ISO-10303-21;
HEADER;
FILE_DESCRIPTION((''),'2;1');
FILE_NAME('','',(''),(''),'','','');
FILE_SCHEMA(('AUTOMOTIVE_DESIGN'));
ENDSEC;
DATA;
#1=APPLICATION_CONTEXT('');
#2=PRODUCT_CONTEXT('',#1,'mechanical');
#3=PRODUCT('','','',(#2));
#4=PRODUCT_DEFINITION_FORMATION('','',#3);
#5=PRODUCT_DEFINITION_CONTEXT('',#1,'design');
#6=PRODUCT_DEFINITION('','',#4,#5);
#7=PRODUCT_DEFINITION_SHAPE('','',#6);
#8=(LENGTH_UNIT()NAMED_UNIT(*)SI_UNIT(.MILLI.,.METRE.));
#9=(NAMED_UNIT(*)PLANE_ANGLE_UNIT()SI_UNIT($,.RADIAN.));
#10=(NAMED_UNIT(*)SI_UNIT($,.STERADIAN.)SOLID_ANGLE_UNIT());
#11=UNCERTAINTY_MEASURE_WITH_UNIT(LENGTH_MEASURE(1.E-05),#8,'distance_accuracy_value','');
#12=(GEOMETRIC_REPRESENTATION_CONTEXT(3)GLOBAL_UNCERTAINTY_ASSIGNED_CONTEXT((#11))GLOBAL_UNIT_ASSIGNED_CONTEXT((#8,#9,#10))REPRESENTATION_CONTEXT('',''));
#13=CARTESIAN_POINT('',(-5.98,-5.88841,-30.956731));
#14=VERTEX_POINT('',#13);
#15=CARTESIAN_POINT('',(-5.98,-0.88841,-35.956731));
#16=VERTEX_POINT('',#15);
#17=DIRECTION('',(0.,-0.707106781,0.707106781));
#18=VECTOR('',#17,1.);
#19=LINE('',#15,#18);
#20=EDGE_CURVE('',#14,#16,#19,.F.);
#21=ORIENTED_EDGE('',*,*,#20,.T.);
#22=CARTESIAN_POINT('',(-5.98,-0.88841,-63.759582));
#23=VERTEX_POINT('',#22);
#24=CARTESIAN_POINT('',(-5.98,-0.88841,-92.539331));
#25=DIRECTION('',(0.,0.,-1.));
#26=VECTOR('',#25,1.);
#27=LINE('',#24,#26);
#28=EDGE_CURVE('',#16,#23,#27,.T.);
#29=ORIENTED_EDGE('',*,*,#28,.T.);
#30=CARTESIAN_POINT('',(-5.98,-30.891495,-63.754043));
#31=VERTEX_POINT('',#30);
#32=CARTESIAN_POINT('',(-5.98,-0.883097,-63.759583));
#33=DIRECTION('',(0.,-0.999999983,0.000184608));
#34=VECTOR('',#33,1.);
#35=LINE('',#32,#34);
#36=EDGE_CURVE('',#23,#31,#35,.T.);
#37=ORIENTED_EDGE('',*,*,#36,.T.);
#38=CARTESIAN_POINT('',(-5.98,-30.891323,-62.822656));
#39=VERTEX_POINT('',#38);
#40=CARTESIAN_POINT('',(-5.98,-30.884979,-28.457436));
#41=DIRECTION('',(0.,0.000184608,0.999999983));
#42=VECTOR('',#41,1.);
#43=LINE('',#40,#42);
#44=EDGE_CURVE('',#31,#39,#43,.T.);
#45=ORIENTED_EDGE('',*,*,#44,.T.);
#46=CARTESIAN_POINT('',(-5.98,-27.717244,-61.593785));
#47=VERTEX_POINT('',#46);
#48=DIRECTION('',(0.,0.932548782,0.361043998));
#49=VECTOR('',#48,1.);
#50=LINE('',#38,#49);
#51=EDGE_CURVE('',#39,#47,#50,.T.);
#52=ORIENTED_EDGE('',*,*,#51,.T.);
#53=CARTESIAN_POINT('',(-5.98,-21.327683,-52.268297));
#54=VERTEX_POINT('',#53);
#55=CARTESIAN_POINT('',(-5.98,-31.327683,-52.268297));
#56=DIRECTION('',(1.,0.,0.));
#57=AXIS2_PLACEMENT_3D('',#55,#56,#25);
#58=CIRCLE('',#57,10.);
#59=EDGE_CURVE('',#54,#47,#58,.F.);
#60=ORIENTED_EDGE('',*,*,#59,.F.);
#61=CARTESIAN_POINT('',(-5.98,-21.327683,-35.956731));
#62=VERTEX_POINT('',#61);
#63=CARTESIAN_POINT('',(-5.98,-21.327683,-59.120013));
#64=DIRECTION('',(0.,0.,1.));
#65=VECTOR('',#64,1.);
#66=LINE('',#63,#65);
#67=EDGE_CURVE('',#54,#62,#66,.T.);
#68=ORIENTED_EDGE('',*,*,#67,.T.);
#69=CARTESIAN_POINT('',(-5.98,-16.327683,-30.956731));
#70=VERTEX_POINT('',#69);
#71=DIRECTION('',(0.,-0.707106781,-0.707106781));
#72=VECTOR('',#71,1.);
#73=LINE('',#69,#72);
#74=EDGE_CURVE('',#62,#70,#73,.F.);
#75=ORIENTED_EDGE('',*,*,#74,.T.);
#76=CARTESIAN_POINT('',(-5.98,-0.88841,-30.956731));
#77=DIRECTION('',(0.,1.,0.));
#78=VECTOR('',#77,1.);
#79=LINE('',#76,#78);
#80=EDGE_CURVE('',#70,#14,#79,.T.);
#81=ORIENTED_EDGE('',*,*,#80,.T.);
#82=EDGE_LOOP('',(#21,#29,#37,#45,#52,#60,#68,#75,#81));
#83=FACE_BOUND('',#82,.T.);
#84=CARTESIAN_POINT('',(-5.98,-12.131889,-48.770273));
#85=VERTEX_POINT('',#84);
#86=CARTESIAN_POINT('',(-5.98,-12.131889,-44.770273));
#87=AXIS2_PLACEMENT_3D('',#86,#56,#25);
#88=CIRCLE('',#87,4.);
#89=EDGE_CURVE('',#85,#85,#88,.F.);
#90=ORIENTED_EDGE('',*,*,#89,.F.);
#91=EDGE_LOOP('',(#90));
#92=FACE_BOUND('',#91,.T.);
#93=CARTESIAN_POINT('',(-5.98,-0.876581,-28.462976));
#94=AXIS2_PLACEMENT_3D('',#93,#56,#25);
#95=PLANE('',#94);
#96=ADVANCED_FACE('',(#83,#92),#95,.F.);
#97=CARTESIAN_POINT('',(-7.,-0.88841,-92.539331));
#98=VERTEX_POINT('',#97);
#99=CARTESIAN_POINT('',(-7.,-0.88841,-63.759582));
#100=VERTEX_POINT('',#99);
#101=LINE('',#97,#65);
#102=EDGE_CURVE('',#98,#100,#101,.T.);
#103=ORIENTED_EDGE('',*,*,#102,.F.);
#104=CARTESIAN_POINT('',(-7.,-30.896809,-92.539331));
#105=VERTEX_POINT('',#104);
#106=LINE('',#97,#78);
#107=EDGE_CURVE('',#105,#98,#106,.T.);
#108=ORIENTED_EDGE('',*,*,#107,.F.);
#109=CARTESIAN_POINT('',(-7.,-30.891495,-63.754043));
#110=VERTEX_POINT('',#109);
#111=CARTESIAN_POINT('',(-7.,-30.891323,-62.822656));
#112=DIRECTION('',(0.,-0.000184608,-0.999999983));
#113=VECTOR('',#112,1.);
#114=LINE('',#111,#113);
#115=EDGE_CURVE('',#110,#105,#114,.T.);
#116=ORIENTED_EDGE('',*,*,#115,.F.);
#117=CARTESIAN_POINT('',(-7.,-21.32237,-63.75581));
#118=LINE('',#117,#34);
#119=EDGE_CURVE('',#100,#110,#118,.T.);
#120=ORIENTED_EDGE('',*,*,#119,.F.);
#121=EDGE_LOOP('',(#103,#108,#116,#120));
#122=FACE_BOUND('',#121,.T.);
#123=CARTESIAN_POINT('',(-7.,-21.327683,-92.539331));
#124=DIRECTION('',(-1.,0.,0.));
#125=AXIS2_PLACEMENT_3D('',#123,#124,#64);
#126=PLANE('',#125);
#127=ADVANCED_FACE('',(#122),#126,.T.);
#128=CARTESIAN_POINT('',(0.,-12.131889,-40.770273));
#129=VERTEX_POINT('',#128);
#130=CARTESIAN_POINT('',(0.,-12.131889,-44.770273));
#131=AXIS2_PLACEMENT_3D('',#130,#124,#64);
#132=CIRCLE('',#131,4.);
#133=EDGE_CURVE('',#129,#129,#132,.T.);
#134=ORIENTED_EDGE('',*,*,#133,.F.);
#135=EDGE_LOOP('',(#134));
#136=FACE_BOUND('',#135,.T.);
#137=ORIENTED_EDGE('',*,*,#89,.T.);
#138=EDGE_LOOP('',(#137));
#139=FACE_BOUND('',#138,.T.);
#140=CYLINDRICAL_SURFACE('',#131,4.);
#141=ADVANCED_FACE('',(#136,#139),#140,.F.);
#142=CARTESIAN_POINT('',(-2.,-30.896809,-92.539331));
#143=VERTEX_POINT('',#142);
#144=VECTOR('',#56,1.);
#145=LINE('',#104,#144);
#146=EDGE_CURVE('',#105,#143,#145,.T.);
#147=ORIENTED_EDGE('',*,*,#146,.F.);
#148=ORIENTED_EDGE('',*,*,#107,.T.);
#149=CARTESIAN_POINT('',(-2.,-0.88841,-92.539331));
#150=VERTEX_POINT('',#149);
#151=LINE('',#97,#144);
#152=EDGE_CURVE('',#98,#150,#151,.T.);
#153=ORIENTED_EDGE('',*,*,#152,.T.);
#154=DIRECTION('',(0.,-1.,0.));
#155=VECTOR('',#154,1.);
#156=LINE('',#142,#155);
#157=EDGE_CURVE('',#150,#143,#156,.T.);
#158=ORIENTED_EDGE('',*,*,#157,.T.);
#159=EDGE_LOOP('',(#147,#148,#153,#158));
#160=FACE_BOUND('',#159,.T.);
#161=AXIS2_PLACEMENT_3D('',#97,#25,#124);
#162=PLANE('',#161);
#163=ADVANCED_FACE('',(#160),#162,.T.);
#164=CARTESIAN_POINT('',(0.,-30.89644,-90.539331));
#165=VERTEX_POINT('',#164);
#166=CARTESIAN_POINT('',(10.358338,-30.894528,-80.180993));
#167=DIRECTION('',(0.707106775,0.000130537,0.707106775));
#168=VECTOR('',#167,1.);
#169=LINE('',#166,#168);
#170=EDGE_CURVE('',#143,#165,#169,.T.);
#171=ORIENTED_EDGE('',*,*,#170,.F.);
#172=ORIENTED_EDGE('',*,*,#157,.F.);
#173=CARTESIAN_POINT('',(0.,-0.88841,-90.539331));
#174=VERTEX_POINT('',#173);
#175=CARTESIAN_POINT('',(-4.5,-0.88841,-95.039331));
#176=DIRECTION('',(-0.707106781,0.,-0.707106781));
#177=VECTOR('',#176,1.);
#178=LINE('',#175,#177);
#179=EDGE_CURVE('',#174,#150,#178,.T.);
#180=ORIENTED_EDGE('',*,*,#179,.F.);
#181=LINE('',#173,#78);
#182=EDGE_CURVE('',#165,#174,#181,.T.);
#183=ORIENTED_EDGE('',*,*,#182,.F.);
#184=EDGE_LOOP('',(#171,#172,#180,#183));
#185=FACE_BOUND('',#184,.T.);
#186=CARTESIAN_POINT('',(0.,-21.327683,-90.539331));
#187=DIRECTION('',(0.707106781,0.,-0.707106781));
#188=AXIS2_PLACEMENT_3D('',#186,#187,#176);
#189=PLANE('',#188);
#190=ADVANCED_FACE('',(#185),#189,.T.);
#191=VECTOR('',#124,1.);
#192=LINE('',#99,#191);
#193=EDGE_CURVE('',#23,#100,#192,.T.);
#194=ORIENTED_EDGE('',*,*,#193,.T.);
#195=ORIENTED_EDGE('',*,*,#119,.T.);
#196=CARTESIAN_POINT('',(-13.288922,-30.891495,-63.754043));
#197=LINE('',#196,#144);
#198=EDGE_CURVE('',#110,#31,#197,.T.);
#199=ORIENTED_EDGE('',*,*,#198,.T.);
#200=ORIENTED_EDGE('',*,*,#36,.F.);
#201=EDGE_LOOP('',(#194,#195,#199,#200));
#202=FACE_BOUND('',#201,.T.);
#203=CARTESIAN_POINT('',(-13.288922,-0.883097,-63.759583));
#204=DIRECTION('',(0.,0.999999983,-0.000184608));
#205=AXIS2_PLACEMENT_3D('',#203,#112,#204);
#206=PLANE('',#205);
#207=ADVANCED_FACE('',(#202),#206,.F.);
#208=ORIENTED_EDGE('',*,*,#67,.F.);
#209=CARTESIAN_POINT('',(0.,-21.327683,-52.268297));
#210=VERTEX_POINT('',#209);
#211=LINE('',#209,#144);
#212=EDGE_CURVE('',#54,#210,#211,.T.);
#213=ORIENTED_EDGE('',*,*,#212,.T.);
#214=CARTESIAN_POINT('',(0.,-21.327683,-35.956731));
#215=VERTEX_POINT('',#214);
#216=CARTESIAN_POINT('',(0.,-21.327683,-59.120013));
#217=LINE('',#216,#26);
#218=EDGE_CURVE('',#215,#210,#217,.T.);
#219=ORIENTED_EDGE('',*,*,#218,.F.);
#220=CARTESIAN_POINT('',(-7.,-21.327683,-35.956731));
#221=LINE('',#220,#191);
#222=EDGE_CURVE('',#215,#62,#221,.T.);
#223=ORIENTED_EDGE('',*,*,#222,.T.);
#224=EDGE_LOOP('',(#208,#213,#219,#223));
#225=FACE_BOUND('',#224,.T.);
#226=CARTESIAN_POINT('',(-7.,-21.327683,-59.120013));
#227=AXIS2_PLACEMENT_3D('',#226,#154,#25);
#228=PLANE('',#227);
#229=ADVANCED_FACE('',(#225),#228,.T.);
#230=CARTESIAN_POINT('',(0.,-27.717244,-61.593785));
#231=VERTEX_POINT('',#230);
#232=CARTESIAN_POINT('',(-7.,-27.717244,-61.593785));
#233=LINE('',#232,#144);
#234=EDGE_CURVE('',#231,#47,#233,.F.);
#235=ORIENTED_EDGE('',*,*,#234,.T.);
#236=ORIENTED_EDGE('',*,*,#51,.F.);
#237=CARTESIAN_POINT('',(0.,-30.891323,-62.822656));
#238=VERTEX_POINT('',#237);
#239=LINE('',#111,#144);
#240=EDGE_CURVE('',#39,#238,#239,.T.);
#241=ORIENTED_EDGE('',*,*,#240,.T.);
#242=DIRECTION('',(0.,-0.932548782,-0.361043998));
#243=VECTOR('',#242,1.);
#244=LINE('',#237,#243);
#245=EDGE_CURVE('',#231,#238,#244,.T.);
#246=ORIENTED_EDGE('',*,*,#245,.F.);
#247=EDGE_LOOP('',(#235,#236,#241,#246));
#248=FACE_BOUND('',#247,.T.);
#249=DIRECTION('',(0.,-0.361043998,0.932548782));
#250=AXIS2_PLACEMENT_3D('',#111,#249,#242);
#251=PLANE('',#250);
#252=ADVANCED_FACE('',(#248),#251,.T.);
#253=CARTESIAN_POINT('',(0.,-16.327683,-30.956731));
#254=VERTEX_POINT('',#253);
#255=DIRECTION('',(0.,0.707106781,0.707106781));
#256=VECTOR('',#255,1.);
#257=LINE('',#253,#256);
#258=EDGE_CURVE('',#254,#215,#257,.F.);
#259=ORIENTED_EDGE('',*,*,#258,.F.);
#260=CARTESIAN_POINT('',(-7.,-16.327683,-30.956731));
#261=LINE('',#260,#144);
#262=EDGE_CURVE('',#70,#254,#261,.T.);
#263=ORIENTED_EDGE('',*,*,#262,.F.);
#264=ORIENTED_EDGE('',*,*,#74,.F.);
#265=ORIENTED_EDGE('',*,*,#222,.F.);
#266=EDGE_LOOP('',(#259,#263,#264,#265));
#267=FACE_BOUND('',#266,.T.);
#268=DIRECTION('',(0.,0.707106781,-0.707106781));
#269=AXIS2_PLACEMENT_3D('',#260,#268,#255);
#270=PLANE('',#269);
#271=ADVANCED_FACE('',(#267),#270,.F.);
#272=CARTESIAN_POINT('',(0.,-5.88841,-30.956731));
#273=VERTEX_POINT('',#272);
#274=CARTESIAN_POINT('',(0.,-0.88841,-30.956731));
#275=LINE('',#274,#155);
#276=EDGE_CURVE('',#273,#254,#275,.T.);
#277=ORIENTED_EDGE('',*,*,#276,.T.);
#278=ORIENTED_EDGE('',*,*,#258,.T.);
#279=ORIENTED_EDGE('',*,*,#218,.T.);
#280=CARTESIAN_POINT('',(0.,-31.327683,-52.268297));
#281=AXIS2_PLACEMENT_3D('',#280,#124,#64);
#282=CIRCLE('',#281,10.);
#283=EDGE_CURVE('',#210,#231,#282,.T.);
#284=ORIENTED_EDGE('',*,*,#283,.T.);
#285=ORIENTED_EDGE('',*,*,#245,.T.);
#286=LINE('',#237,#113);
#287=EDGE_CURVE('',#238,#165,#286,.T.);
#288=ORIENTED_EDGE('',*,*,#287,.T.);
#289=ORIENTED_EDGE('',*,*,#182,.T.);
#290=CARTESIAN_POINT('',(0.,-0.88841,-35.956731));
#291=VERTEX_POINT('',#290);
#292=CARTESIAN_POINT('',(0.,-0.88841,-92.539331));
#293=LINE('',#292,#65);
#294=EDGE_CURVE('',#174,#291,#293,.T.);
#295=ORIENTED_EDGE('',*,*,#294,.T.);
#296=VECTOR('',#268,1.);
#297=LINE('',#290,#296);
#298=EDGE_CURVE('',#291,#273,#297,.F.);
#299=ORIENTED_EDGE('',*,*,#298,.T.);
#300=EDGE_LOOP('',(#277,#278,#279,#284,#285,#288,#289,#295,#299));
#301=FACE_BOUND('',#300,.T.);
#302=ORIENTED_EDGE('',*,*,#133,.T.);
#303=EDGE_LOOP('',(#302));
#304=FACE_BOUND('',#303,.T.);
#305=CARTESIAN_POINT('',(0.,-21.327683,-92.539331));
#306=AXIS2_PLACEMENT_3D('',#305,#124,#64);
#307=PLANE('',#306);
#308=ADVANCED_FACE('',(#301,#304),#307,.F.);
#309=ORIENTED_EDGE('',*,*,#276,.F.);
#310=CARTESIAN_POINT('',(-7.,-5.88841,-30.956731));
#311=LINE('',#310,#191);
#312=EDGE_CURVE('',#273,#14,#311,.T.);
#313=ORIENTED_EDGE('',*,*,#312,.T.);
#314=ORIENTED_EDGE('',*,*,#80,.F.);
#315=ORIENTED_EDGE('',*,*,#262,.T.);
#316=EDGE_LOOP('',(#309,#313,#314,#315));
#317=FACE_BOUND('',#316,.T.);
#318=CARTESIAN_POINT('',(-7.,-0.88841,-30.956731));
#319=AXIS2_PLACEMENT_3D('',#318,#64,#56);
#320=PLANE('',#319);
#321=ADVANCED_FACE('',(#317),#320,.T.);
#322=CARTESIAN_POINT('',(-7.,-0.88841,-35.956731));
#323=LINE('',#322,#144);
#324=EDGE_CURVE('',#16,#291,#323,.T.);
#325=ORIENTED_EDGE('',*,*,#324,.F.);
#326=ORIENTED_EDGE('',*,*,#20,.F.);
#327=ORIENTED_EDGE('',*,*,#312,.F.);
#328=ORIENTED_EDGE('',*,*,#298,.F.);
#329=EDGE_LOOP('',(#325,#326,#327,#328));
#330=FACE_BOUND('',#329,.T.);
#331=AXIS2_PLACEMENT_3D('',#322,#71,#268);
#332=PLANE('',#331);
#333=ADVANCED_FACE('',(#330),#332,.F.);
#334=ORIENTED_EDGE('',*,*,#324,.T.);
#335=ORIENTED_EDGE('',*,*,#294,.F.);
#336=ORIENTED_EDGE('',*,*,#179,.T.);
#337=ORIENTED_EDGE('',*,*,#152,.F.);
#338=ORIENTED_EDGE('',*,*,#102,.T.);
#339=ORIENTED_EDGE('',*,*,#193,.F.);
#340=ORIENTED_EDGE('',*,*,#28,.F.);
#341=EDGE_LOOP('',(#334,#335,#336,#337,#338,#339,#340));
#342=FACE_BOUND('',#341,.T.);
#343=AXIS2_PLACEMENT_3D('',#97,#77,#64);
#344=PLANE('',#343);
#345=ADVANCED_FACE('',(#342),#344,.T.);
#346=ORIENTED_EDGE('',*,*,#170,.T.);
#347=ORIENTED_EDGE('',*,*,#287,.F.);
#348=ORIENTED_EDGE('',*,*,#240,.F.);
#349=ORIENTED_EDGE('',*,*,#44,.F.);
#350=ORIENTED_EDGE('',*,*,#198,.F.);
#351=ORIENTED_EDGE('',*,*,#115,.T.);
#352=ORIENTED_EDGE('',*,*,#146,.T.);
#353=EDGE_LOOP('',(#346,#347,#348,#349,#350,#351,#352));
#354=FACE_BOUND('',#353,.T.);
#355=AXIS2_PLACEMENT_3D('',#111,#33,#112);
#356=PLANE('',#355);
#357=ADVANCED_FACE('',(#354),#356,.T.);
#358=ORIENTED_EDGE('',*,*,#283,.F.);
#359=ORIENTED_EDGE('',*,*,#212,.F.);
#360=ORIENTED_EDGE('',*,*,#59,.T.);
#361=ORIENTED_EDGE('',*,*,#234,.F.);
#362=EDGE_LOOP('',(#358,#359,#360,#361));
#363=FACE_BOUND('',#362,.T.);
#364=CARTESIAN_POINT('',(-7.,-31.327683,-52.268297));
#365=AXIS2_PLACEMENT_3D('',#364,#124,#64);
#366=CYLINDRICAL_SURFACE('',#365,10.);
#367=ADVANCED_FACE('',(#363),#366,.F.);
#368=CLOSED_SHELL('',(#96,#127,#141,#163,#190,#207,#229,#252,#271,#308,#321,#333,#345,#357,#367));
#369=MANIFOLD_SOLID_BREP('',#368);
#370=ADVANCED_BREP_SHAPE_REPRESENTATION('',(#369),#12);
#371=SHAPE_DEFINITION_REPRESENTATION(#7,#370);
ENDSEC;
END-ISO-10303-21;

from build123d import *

# Parameters (mm, degrees)
EXTRUDE_1_DEPTH       = 7
FILLET_1_R            = 10
CHAMFER_1_SIZE        = 5
CHAMFER_2_SIZE        = 2
SKETCH_3_R            = 4
CUT_EXTRUDE_2_DEPTH   = 98.811761039
SKETCH_5_W            = 7.308921848
SKETCH_5_H            = 35.296607786
CUT_EXTRUDE_2_2_DEPTH = 98.534926302


with BuildPart() as part:
    # Эскиз1 → Вытянуть1 (new body)
    with BuildSketch(Plane(origin=(0, 0, 0), x_dir=(0, 0, -1), z_dir=(1, 0, 0))):
        Polygon((62.822655934, -30.891323454), (59.120013374, -21.327683482), (30.956731402, -21.327683482), (30.956731402, -0.888409733), (92.539330922, -0.888409733), (92.539330922, -30.896809382), align=None)
    extrude(amount=-EXTRUDE_1_DEPTH)

    # Скругление1
    fillet_1_edges = [part.edges().sort_by_distance(p)[0] for p in [
        (-3.5, -21.327683482, -59.120013374),
    ]]
    fillet(fillet_1_edges, radius=FILLET_1_R)

    # Фаска1
    chamfer_1_edges = [part.edges().sort_by_distance(p)[0] for p in [
        (-3.5, -21.327683482, -30.956731402),
        (-3.5, -0.888409733, -30.956731402),
    ]]
    chamfer(chamfer_1_edges, length=CHAMFER_1_SIZE)

    # Фаска2
    chamfer_2_edges = [part.edges().sort_by_distance(p)[0] for p in [
        (0, -15.892609557, -92.539330922),
    ]]
    chamfer(chamfer_2_edges, length=CHAMFER_2_SIZE)

    # Эскиз3 → Cut-Extrude 2 (cut, through all)
    with BuildSketch(Plane.ZY.offset(7)):
        with Locations((-44.770273228, -12.131888622)):
            Circle(SKETCH_3_R)
    extrude(amount=-CUT_EXTRUDE_2_DEPTH, mode=Mode.SUBTRACT)

    # Эскиз5 → Cut-Extrude 2 2 (cut, through all)
    with BuildSketch(Plane(origin=(0, -30.879724855, 0.005700636), x_dir=(1, 0, 0), z_dir=(0, -0.9999999829599957, 0.0001846077143906597))):
        with Locations((-9.634460924, -46.111441198)):
            Rectangle(SKETCH_5_W, SKETCH_5_H)
    extrude(amount=-CUT_EXTRUDE_2_2_DEPTH, mode=Mode.SUBTRACT)


solid = part.part
